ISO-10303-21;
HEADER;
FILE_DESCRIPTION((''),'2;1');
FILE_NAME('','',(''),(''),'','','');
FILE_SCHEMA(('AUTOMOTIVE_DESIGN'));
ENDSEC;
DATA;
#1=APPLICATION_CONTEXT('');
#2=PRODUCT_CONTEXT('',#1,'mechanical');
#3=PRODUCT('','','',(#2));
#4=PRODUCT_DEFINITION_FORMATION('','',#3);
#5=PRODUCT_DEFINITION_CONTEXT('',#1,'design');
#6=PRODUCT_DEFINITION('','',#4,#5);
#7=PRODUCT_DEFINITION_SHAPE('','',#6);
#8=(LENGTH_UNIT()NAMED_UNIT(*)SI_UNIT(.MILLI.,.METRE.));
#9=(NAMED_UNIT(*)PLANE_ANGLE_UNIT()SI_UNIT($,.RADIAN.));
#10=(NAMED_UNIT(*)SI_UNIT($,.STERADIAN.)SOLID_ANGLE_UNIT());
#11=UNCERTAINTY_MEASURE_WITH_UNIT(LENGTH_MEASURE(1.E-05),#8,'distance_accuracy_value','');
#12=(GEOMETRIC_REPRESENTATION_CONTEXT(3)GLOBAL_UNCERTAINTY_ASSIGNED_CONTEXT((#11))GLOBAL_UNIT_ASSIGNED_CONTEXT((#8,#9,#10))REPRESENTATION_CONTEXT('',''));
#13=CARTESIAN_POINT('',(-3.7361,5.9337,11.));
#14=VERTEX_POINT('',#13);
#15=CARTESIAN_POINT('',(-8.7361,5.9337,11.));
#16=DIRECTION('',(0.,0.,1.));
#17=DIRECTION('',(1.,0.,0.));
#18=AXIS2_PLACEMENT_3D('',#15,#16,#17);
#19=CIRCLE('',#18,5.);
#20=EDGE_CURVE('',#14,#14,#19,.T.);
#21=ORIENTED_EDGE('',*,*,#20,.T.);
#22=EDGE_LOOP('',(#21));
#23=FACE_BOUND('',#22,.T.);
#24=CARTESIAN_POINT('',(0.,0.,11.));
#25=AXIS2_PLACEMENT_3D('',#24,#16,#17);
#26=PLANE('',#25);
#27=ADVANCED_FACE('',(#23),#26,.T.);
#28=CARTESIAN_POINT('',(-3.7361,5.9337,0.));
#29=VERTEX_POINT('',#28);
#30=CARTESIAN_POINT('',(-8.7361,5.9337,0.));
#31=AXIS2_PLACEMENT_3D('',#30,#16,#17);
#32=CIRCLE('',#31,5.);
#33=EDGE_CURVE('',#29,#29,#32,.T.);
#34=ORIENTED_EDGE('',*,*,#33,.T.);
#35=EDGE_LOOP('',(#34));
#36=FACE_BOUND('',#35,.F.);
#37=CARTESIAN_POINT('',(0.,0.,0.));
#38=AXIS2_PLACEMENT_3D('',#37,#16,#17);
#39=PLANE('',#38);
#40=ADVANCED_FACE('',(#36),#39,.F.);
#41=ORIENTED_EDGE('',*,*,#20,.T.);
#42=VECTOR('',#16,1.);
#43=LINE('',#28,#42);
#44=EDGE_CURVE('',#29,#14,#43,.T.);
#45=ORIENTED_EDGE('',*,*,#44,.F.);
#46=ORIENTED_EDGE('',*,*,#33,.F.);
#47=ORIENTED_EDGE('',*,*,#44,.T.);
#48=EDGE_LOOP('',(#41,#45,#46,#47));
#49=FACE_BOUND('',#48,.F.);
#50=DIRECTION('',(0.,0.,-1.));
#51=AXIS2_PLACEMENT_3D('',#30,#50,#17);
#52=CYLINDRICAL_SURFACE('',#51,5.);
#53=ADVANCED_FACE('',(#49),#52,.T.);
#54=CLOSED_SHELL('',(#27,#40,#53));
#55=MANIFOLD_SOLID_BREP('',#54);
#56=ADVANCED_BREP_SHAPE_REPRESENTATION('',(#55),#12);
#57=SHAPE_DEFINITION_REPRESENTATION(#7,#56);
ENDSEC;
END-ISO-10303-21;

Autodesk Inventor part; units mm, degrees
ref_plane "YZ Plane" through (0, 0, 0) normal (1, 0, 0) x (0, 1, 0)
ref_plane "XZ Plane" through (0, 0, 0) normal (0, 1, 0) x (-1, 0, 0)
ref_plane "XY Plane" through (0, 0, 0) normal (0, 0, 1) x (1, 0, 0)
sketch "Sketch1" plane through (0, 0, 0) normal (0, 0, 1) x (1, 0, 0)
  circle A0 centre (-8.7361, 5.9337) radius 5
  point P0 (0, 0)
  dimension "d0" = 10
  dimension "d0" = 10
extrude "Extrusion1" add sketch "Sketch1" along normal blind 11
properties part number "M2"
